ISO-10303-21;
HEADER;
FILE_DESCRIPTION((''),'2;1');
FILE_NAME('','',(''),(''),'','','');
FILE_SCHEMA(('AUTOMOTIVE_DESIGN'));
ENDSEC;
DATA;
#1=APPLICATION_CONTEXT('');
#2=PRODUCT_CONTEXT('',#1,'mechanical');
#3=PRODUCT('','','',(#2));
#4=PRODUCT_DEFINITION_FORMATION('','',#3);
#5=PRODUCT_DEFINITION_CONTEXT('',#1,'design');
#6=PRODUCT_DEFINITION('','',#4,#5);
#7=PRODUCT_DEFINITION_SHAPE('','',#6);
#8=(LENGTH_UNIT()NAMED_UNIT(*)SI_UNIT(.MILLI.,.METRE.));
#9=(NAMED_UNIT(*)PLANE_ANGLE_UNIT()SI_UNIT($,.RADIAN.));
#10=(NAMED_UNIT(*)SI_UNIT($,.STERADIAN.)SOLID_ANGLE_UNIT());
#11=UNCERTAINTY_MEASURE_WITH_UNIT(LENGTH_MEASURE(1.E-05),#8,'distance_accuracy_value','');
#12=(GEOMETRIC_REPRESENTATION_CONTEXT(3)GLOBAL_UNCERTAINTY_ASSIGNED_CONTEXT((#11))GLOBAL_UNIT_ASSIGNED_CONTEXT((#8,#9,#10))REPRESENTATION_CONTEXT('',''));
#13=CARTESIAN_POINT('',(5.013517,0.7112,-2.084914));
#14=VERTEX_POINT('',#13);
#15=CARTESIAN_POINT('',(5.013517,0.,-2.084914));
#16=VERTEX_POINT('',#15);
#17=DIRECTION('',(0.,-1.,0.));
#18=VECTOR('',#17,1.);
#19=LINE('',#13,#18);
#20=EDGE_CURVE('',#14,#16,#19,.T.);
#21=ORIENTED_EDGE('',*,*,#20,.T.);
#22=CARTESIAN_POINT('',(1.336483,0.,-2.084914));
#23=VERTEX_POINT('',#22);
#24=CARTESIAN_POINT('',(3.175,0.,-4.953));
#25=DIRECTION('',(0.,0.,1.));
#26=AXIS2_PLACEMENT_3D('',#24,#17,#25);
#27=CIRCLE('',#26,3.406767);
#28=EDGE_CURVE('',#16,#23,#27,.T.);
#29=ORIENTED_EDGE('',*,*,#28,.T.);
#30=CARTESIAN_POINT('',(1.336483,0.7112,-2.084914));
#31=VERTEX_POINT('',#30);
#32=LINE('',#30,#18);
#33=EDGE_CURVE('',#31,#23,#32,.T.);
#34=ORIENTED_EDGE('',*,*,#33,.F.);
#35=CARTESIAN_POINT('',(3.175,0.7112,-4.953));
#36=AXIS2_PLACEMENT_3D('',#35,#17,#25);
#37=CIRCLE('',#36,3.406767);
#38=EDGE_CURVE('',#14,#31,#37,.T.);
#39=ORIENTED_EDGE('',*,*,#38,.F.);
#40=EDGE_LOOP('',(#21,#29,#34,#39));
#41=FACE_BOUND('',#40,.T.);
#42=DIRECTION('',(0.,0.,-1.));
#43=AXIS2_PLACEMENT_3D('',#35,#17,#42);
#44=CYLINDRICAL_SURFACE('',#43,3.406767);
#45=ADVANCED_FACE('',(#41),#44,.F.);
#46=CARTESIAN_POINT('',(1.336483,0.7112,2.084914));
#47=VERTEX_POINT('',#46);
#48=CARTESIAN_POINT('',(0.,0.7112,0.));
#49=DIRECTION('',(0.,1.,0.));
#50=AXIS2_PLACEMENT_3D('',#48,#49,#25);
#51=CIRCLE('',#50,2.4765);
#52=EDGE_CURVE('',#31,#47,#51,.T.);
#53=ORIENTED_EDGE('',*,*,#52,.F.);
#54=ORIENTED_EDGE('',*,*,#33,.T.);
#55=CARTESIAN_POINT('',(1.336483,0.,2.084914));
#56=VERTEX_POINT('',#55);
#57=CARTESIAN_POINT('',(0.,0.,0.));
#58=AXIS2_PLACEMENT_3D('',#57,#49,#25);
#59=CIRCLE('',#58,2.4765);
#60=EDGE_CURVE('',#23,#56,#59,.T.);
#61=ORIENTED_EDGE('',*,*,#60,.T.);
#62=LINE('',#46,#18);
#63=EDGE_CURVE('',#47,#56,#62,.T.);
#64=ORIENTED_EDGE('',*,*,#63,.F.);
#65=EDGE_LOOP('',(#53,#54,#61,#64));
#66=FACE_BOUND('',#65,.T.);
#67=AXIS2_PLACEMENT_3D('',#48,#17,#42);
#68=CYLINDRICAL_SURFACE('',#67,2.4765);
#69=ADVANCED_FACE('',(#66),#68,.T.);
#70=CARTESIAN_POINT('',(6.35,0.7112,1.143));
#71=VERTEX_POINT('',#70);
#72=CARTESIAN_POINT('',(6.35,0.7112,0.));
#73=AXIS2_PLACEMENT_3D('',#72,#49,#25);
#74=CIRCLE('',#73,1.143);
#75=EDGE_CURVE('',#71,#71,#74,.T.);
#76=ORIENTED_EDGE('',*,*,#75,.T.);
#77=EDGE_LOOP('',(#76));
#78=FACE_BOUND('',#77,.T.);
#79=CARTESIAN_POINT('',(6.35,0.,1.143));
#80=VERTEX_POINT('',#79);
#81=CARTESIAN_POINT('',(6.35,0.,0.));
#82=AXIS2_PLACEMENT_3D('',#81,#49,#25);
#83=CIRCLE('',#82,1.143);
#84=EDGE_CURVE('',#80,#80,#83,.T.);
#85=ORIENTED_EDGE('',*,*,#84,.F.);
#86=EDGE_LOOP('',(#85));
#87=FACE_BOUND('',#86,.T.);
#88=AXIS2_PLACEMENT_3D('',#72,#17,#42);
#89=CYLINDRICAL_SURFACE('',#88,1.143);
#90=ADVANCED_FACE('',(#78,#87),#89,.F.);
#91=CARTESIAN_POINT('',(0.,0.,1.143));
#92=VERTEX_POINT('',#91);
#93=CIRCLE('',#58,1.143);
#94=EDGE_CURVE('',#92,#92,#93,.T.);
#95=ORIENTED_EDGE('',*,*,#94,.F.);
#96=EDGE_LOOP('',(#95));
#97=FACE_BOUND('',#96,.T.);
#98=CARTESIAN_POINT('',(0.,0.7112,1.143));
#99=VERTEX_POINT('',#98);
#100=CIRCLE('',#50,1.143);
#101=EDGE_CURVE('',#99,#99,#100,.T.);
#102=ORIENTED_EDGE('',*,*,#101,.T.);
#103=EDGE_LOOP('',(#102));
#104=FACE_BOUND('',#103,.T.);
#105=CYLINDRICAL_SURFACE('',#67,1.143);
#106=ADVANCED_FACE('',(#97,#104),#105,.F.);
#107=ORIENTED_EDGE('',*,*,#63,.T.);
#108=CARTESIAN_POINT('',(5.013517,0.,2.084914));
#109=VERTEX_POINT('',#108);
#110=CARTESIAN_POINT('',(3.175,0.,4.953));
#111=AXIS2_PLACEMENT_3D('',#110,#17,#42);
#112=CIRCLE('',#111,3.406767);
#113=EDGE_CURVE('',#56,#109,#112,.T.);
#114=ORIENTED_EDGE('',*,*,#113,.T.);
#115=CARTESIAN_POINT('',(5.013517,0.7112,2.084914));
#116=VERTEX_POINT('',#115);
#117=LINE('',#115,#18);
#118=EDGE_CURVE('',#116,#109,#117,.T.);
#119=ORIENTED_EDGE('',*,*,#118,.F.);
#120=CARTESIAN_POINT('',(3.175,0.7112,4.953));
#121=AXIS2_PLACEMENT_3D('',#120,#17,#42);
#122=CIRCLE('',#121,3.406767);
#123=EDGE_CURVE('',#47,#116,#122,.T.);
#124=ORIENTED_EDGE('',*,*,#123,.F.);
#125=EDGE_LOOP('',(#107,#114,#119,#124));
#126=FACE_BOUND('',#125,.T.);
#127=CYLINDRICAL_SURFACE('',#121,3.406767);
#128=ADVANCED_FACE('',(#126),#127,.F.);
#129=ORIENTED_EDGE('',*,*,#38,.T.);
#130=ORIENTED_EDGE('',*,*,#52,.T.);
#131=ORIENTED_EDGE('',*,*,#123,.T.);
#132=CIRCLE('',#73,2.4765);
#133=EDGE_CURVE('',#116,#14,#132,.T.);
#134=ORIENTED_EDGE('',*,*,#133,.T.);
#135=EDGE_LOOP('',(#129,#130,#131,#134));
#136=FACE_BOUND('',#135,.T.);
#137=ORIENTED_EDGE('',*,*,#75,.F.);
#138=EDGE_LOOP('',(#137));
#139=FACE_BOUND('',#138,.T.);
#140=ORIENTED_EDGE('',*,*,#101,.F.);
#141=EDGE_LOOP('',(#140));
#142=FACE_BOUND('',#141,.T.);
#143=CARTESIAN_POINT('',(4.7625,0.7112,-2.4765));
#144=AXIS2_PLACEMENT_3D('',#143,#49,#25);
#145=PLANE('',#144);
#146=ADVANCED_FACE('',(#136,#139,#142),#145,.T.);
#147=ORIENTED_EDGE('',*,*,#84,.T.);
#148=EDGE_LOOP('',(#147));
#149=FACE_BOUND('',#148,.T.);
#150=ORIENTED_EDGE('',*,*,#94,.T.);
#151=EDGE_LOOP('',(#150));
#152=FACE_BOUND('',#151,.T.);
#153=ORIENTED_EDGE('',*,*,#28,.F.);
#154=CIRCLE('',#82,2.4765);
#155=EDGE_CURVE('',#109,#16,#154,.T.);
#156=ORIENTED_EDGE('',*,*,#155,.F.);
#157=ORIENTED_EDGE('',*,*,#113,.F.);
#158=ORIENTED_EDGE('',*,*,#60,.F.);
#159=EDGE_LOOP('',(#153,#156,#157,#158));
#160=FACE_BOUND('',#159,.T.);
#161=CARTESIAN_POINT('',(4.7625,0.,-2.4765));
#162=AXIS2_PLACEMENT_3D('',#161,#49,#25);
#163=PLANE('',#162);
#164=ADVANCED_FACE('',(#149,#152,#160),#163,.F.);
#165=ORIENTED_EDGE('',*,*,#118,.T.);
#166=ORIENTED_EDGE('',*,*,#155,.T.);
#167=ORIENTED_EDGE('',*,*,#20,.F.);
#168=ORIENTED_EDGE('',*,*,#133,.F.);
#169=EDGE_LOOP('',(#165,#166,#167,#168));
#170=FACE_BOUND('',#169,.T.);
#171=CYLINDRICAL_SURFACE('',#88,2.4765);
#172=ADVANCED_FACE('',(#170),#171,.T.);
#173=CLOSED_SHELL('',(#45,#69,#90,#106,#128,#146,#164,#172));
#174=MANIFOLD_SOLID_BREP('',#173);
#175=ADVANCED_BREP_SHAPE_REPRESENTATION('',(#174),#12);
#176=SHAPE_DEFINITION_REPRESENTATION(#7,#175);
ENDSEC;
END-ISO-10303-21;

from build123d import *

# Parameters (mm, degrees)
SKETCH1_R           = 1.143
BOSS_EXTRUDE1_DEPTH = 0.7112


with BuildPart() as part:
    # Sketch1 → Boss-Extrude1 (new body)
    with BuildSketch(Plane(origin=(0, 0, 0), x_dir=(1, 0, 0), z_dir=(0, 1, 0))):
        with BuildLine():
            ThreePointArc((1.336483133, 2.084913688), (-2.4765, 0), (1.336483133, -2.084913688))
            ThreePointArc((1.336483133, -2.084913688), (3.175, -1.54623271), (5.013516867, -2.084913688))
            ThreePointArc((5.013516867, -2.084913688), (8.8265, 0), (5.013516867, 2.084913688))
            ThreePointArc((5.013516867, 2.084913688), (3.175, 1.54623271), (1.336483133, 2.084913688))
        make_face()
        with Locations(Location((0, 0, 0), (0, 0, 270))):
            Circle(SKETCH1_R, mode=Mode.SUBTRACT)
        with Locations(Location((6.35, 0, 0), (0, 0, 270))):
            Circle(SKETCH1_R, mode=Mode.SUBTRACT)
    extrude(amount=BOSS_EXTRUDE1_DEPTH)


solid = part.part
